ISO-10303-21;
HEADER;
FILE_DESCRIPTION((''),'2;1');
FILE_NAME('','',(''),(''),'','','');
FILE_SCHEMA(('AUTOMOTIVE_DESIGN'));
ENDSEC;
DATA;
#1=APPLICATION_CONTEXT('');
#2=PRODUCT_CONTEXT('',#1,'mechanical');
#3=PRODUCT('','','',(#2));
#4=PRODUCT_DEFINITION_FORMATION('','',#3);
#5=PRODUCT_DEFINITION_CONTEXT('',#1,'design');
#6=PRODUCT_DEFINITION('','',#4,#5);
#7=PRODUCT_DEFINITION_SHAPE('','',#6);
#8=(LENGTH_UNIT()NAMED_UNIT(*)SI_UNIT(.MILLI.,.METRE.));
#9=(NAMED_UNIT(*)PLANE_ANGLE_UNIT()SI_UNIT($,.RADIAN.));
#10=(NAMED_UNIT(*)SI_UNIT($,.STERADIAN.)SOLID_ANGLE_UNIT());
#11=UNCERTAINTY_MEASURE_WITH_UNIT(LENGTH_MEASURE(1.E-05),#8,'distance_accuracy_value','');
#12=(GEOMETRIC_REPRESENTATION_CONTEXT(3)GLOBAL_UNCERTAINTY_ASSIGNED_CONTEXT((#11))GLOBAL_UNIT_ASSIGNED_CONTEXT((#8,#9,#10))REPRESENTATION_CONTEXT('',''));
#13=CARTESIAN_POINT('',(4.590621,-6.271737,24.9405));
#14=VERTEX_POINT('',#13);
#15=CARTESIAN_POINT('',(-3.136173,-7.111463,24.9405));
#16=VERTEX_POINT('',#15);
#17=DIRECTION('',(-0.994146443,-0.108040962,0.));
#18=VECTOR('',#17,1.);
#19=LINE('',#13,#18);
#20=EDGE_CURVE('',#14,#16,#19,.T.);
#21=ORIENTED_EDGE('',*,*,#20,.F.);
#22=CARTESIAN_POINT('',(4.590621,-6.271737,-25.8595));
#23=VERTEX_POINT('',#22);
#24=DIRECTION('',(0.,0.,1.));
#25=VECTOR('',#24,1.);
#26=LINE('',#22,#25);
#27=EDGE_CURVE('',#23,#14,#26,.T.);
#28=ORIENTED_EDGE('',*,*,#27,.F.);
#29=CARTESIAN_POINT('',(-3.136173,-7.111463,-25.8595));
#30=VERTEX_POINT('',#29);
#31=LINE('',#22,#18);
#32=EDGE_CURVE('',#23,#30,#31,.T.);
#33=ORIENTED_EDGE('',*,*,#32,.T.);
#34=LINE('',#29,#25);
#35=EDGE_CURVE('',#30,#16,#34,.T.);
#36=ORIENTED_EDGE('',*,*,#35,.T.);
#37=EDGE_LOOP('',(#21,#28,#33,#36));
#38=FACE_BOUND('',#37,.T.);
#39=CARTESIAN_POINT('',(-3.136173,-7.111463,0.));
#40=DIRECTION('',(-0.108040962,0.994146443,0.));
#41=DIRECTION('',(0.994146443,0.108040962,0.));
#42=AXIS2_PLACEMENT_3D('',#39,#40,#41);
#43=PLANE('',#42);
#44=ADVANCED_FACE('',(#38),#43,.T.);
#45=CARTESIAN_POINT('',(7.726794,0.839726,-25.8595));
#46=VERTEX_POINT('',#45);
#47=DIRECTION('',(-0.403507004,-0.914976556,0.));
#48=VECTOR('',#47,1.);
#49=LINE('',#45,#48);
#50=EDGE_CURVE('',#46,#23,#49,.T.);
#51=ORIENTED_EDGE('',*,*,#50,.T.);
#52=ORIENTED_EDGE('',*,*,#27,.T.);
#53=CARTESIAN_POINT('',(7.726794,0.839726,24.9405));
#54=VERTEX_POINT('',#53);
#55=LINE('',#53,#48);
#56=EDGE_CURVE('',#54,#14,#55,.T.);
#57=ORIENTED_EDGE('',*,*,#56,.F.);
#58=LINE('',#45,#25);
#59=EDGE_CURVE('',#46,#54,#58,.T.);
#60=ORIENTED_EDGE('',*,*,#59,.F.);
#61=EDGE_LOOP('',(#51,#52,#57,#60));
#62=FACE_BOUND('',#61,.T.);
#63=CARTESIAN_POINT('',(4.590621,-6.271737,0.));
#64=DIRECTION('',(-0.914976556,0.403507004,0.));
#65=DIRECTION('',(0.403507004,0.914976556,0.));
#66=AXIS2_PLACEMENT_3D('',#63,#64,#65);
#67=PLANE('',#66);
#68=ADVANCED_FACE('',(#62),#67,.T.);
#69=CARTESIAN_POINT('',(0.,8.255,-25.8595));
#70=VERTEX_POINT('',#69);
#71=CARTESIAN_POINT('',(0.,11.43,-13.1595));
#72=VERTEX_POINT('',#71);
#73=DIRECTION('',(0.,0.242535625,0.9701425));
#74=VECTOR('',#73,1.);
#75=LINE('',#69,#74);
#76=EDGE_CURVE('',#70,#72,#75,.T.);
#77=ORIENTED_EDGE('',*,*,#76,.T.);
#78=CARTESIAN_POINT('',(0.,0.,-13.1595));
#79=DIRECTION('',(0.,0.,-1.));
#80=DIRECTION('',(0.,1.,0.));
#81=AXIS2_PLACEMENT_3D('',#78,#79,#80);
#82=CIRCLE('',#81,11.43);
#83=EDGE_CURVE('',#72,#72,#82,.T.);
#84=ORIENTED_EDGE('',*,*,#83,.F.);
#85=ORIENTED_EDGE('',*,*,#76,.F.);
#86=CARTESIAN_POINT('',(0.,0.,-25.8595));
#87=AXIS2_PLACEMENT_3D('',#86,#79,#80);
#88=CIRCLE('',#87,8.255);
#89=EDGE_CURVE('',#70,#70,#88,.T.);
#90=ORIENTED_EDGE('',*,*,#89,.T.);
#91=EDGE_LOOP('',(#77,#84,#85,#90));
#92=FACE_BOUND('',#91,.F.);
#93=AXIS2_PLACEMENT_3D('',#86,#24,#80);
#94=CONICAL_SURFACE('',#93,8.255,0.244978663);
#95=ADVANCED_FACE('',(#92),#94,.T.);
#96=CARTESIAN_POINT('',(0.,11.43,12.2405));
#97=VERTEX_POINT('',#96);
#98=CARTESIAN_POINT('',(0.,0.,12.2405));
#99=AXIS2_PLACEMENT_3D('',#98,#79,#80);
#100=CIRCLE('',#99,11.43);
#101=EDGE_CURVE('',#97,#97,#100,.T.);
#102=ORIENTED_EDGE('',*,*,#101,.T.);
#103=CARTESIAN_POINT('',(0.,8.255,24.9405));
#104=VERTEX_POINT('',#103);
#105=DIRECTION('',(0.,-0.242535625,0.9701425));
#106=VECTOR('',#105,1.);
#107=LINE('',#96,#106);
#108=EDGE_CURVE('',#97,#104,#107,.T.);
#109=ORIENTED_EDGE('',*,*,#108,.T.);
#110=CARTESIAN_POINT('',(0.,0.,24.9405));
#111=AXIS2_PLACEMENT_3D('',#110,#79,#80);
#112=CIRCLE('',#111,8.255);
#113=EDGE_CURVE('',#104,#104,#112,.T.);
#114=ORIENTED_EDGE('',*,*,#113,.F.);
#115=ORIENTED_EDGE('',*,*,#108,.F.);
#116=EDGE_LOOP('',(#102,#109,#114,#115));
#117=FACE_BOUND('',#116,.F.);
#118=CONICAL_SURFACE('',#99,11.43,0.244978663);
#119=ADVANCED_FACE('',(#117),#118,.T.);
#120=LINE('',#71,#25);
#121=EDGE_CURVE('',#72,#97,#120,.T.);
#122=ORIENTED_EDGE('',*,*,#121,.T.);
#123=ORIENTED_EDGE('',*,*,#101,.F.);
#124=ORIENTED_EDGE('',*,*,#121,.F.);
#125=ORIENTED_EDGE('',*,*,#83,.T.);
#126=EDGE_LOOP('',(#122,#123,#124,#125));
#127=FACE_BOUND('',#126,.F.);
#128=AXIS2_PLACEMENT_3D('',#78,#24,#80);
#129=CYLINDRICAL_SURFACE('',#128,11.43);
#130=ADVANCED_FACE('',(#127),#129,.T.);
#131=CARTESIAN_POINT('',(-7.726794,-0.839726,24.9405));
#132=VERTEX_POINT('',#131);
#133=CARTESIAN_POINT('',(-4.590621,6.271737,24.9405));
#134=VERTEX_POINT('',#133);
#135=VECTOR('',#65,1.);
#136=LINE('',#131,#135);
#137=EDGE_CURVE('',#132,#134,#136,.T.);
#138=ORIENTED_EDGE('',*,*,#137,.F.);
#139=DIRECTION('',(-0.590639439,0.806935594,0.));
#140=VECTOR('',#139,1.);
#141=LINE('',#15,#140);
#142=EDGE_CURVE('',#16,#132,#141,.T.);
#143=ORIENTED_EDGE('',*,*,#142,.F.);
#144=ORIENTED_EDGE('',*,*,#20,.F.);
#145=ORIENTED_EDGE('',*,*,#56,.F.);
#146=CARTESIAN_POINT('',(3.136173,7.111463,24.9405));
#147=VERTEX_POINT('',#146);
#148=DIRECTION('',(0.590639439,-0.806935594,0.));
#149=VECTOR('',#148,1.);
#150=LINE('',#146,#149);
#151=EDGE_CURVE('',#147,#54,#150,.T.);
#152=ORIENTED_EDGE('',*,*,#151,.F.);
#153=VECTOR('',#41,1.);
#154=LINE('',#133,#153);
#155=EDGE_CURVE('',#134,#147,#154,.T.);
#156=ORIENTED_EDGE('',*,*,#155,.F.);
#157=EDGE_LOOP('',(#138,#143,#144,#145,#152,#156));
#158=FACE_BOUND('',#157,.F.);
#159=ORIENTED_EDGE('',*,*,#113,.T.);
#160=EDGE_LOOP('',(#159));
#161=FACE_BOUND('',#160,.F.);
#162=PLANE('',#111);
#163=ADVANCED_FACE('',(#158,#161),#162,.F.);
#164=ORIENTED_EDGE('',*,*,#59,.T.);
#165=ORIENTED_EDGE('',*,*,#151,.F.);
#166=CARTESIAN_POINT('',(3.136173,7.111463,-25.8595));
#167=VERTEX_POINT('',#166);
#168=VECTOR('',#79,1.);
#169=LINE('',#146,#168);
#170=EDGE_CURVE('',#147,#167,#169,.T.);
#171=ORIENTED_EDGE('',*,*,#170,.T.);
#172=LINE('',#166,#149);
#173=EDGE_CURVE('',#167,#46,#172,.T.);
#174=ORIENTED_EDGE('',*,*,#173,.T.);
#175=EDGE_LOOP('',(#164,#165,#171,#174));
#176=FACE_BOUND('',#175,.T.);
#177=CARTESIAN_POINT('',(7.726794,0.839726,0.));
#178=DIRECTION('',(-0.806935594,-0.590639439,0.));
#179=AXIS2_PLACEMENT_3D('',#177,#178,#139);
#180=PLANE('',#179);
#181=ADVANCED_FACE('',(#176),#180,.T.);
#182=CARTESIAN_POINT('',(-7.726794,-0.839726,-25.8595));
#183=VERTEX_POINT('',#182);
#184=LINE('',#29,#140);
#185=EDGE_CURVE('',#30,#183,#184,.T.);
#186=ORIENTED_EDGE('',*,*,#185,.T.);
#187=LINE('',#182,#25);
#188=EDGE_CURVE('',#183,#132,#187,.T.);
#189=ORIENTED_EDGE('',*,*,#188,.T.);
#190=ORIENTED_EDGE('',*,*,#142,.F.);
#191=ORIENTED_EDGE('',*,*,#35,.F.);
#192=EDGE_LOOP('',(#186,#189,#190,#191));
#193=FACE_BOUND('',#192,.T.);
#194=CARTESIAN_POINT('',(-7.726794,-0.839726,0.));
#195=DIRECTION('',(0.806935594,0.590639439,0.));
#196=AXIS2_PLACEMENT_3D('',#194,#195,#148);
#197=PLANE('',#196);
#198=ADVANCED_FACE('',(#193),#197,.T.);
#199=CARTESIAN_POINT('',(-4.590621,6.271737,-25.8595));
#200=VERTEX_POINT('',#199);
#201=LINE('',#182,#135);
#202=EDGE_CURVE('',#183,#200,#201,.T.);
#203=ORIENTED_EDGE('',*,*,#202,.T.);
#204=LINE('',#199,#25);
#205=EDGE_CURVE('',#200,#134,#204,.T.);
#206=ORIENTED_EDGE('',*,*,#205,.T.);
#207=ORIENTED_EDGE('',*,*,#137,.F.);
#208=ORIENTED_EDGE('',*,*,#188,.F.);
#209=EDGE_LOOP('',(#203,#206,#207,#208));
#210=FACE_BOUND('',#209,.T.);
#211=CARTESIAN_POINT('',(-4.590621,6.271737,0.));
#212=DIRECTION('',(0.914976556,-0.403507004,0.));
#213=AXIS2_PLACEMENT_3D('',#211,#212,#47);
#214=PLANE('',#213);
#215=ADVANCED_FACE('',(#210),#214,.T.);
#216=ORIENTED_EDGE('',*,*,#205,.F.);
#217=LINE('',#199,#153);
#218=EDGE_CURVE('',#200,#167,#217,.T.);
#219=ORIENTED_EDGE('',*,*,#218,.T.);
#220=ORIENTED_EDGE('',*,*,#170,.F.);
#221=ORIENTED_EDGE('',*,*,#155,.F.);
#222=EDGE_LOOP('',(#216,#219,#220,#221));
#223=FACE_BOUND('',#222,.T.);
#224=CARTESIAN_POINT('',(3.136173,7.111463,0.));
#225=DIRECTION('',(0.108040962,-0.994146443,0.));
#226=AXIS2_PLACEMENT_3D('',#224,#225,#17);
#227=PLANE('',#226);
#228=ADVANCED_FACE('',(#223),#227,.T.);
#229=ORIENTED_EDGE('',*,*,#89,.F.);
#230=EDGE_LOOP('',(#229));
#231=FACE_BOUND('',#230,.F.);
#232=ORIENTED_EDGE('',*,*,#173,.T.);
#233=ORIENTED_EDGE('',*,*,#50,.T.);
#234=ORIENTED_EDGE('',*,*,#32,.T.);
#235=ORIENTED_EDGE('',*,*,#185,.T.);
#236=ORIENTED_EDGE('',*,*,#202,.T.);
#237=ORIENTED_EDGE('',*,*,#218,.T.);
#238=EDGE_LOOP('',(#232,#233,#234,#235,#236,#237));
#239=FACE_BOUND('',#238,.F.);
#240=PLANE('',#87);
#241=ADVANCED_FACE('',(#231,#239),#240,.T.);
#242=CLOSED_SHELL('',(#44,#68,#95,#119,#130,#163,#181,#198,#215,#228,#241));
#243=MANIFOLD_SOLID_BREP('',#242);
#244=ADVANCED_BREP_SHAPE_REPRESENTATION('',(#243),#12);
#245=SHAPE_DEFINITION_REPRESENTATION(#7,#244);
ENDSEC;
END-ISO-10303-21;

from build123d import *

# Parameters (mm, degrees)
F3_DEPTH      = 38.1
F3_DEPTH_BACK = 38.1


with BuildPart() as f2:
    # F1 (on Right) → F2 (revolve)
    with BuildSketch(Plane.YZ):
        Polygon((8.255, 24.9404996053), (6.731, 24.9404996053), (6.731, -25.8595003947), (8.255, -25.8595003947), (11.43, -13.1595003947), (11.43, 12.2404996053), align=None)
    revolve(axis=Axis((0, 0, -0.0453809016), (0, 0, -1)))

    # F0 (on Top) → F3 (cut, two sides)
    with BuildSketch(Plane.XY) as f3_sk:
        Polygon((7.7267937867, 0.8397256168), (3.136173177, 7.1114625174), (-4.5906206097, 6.2717369007), (-7.7267937867, -0.8397256168), (-3.136173177, -7.1114625174), (4.5906206097, -6.2717369007), align=None)
    extrude(amount=-F3_DEPTH, mode=Mode.SUBTRACT)
    extrude(f3_sk.sketch, amount=F3_DEPTH_BACK, mode=Mode.SUBTRACT)


solid = f2.part
